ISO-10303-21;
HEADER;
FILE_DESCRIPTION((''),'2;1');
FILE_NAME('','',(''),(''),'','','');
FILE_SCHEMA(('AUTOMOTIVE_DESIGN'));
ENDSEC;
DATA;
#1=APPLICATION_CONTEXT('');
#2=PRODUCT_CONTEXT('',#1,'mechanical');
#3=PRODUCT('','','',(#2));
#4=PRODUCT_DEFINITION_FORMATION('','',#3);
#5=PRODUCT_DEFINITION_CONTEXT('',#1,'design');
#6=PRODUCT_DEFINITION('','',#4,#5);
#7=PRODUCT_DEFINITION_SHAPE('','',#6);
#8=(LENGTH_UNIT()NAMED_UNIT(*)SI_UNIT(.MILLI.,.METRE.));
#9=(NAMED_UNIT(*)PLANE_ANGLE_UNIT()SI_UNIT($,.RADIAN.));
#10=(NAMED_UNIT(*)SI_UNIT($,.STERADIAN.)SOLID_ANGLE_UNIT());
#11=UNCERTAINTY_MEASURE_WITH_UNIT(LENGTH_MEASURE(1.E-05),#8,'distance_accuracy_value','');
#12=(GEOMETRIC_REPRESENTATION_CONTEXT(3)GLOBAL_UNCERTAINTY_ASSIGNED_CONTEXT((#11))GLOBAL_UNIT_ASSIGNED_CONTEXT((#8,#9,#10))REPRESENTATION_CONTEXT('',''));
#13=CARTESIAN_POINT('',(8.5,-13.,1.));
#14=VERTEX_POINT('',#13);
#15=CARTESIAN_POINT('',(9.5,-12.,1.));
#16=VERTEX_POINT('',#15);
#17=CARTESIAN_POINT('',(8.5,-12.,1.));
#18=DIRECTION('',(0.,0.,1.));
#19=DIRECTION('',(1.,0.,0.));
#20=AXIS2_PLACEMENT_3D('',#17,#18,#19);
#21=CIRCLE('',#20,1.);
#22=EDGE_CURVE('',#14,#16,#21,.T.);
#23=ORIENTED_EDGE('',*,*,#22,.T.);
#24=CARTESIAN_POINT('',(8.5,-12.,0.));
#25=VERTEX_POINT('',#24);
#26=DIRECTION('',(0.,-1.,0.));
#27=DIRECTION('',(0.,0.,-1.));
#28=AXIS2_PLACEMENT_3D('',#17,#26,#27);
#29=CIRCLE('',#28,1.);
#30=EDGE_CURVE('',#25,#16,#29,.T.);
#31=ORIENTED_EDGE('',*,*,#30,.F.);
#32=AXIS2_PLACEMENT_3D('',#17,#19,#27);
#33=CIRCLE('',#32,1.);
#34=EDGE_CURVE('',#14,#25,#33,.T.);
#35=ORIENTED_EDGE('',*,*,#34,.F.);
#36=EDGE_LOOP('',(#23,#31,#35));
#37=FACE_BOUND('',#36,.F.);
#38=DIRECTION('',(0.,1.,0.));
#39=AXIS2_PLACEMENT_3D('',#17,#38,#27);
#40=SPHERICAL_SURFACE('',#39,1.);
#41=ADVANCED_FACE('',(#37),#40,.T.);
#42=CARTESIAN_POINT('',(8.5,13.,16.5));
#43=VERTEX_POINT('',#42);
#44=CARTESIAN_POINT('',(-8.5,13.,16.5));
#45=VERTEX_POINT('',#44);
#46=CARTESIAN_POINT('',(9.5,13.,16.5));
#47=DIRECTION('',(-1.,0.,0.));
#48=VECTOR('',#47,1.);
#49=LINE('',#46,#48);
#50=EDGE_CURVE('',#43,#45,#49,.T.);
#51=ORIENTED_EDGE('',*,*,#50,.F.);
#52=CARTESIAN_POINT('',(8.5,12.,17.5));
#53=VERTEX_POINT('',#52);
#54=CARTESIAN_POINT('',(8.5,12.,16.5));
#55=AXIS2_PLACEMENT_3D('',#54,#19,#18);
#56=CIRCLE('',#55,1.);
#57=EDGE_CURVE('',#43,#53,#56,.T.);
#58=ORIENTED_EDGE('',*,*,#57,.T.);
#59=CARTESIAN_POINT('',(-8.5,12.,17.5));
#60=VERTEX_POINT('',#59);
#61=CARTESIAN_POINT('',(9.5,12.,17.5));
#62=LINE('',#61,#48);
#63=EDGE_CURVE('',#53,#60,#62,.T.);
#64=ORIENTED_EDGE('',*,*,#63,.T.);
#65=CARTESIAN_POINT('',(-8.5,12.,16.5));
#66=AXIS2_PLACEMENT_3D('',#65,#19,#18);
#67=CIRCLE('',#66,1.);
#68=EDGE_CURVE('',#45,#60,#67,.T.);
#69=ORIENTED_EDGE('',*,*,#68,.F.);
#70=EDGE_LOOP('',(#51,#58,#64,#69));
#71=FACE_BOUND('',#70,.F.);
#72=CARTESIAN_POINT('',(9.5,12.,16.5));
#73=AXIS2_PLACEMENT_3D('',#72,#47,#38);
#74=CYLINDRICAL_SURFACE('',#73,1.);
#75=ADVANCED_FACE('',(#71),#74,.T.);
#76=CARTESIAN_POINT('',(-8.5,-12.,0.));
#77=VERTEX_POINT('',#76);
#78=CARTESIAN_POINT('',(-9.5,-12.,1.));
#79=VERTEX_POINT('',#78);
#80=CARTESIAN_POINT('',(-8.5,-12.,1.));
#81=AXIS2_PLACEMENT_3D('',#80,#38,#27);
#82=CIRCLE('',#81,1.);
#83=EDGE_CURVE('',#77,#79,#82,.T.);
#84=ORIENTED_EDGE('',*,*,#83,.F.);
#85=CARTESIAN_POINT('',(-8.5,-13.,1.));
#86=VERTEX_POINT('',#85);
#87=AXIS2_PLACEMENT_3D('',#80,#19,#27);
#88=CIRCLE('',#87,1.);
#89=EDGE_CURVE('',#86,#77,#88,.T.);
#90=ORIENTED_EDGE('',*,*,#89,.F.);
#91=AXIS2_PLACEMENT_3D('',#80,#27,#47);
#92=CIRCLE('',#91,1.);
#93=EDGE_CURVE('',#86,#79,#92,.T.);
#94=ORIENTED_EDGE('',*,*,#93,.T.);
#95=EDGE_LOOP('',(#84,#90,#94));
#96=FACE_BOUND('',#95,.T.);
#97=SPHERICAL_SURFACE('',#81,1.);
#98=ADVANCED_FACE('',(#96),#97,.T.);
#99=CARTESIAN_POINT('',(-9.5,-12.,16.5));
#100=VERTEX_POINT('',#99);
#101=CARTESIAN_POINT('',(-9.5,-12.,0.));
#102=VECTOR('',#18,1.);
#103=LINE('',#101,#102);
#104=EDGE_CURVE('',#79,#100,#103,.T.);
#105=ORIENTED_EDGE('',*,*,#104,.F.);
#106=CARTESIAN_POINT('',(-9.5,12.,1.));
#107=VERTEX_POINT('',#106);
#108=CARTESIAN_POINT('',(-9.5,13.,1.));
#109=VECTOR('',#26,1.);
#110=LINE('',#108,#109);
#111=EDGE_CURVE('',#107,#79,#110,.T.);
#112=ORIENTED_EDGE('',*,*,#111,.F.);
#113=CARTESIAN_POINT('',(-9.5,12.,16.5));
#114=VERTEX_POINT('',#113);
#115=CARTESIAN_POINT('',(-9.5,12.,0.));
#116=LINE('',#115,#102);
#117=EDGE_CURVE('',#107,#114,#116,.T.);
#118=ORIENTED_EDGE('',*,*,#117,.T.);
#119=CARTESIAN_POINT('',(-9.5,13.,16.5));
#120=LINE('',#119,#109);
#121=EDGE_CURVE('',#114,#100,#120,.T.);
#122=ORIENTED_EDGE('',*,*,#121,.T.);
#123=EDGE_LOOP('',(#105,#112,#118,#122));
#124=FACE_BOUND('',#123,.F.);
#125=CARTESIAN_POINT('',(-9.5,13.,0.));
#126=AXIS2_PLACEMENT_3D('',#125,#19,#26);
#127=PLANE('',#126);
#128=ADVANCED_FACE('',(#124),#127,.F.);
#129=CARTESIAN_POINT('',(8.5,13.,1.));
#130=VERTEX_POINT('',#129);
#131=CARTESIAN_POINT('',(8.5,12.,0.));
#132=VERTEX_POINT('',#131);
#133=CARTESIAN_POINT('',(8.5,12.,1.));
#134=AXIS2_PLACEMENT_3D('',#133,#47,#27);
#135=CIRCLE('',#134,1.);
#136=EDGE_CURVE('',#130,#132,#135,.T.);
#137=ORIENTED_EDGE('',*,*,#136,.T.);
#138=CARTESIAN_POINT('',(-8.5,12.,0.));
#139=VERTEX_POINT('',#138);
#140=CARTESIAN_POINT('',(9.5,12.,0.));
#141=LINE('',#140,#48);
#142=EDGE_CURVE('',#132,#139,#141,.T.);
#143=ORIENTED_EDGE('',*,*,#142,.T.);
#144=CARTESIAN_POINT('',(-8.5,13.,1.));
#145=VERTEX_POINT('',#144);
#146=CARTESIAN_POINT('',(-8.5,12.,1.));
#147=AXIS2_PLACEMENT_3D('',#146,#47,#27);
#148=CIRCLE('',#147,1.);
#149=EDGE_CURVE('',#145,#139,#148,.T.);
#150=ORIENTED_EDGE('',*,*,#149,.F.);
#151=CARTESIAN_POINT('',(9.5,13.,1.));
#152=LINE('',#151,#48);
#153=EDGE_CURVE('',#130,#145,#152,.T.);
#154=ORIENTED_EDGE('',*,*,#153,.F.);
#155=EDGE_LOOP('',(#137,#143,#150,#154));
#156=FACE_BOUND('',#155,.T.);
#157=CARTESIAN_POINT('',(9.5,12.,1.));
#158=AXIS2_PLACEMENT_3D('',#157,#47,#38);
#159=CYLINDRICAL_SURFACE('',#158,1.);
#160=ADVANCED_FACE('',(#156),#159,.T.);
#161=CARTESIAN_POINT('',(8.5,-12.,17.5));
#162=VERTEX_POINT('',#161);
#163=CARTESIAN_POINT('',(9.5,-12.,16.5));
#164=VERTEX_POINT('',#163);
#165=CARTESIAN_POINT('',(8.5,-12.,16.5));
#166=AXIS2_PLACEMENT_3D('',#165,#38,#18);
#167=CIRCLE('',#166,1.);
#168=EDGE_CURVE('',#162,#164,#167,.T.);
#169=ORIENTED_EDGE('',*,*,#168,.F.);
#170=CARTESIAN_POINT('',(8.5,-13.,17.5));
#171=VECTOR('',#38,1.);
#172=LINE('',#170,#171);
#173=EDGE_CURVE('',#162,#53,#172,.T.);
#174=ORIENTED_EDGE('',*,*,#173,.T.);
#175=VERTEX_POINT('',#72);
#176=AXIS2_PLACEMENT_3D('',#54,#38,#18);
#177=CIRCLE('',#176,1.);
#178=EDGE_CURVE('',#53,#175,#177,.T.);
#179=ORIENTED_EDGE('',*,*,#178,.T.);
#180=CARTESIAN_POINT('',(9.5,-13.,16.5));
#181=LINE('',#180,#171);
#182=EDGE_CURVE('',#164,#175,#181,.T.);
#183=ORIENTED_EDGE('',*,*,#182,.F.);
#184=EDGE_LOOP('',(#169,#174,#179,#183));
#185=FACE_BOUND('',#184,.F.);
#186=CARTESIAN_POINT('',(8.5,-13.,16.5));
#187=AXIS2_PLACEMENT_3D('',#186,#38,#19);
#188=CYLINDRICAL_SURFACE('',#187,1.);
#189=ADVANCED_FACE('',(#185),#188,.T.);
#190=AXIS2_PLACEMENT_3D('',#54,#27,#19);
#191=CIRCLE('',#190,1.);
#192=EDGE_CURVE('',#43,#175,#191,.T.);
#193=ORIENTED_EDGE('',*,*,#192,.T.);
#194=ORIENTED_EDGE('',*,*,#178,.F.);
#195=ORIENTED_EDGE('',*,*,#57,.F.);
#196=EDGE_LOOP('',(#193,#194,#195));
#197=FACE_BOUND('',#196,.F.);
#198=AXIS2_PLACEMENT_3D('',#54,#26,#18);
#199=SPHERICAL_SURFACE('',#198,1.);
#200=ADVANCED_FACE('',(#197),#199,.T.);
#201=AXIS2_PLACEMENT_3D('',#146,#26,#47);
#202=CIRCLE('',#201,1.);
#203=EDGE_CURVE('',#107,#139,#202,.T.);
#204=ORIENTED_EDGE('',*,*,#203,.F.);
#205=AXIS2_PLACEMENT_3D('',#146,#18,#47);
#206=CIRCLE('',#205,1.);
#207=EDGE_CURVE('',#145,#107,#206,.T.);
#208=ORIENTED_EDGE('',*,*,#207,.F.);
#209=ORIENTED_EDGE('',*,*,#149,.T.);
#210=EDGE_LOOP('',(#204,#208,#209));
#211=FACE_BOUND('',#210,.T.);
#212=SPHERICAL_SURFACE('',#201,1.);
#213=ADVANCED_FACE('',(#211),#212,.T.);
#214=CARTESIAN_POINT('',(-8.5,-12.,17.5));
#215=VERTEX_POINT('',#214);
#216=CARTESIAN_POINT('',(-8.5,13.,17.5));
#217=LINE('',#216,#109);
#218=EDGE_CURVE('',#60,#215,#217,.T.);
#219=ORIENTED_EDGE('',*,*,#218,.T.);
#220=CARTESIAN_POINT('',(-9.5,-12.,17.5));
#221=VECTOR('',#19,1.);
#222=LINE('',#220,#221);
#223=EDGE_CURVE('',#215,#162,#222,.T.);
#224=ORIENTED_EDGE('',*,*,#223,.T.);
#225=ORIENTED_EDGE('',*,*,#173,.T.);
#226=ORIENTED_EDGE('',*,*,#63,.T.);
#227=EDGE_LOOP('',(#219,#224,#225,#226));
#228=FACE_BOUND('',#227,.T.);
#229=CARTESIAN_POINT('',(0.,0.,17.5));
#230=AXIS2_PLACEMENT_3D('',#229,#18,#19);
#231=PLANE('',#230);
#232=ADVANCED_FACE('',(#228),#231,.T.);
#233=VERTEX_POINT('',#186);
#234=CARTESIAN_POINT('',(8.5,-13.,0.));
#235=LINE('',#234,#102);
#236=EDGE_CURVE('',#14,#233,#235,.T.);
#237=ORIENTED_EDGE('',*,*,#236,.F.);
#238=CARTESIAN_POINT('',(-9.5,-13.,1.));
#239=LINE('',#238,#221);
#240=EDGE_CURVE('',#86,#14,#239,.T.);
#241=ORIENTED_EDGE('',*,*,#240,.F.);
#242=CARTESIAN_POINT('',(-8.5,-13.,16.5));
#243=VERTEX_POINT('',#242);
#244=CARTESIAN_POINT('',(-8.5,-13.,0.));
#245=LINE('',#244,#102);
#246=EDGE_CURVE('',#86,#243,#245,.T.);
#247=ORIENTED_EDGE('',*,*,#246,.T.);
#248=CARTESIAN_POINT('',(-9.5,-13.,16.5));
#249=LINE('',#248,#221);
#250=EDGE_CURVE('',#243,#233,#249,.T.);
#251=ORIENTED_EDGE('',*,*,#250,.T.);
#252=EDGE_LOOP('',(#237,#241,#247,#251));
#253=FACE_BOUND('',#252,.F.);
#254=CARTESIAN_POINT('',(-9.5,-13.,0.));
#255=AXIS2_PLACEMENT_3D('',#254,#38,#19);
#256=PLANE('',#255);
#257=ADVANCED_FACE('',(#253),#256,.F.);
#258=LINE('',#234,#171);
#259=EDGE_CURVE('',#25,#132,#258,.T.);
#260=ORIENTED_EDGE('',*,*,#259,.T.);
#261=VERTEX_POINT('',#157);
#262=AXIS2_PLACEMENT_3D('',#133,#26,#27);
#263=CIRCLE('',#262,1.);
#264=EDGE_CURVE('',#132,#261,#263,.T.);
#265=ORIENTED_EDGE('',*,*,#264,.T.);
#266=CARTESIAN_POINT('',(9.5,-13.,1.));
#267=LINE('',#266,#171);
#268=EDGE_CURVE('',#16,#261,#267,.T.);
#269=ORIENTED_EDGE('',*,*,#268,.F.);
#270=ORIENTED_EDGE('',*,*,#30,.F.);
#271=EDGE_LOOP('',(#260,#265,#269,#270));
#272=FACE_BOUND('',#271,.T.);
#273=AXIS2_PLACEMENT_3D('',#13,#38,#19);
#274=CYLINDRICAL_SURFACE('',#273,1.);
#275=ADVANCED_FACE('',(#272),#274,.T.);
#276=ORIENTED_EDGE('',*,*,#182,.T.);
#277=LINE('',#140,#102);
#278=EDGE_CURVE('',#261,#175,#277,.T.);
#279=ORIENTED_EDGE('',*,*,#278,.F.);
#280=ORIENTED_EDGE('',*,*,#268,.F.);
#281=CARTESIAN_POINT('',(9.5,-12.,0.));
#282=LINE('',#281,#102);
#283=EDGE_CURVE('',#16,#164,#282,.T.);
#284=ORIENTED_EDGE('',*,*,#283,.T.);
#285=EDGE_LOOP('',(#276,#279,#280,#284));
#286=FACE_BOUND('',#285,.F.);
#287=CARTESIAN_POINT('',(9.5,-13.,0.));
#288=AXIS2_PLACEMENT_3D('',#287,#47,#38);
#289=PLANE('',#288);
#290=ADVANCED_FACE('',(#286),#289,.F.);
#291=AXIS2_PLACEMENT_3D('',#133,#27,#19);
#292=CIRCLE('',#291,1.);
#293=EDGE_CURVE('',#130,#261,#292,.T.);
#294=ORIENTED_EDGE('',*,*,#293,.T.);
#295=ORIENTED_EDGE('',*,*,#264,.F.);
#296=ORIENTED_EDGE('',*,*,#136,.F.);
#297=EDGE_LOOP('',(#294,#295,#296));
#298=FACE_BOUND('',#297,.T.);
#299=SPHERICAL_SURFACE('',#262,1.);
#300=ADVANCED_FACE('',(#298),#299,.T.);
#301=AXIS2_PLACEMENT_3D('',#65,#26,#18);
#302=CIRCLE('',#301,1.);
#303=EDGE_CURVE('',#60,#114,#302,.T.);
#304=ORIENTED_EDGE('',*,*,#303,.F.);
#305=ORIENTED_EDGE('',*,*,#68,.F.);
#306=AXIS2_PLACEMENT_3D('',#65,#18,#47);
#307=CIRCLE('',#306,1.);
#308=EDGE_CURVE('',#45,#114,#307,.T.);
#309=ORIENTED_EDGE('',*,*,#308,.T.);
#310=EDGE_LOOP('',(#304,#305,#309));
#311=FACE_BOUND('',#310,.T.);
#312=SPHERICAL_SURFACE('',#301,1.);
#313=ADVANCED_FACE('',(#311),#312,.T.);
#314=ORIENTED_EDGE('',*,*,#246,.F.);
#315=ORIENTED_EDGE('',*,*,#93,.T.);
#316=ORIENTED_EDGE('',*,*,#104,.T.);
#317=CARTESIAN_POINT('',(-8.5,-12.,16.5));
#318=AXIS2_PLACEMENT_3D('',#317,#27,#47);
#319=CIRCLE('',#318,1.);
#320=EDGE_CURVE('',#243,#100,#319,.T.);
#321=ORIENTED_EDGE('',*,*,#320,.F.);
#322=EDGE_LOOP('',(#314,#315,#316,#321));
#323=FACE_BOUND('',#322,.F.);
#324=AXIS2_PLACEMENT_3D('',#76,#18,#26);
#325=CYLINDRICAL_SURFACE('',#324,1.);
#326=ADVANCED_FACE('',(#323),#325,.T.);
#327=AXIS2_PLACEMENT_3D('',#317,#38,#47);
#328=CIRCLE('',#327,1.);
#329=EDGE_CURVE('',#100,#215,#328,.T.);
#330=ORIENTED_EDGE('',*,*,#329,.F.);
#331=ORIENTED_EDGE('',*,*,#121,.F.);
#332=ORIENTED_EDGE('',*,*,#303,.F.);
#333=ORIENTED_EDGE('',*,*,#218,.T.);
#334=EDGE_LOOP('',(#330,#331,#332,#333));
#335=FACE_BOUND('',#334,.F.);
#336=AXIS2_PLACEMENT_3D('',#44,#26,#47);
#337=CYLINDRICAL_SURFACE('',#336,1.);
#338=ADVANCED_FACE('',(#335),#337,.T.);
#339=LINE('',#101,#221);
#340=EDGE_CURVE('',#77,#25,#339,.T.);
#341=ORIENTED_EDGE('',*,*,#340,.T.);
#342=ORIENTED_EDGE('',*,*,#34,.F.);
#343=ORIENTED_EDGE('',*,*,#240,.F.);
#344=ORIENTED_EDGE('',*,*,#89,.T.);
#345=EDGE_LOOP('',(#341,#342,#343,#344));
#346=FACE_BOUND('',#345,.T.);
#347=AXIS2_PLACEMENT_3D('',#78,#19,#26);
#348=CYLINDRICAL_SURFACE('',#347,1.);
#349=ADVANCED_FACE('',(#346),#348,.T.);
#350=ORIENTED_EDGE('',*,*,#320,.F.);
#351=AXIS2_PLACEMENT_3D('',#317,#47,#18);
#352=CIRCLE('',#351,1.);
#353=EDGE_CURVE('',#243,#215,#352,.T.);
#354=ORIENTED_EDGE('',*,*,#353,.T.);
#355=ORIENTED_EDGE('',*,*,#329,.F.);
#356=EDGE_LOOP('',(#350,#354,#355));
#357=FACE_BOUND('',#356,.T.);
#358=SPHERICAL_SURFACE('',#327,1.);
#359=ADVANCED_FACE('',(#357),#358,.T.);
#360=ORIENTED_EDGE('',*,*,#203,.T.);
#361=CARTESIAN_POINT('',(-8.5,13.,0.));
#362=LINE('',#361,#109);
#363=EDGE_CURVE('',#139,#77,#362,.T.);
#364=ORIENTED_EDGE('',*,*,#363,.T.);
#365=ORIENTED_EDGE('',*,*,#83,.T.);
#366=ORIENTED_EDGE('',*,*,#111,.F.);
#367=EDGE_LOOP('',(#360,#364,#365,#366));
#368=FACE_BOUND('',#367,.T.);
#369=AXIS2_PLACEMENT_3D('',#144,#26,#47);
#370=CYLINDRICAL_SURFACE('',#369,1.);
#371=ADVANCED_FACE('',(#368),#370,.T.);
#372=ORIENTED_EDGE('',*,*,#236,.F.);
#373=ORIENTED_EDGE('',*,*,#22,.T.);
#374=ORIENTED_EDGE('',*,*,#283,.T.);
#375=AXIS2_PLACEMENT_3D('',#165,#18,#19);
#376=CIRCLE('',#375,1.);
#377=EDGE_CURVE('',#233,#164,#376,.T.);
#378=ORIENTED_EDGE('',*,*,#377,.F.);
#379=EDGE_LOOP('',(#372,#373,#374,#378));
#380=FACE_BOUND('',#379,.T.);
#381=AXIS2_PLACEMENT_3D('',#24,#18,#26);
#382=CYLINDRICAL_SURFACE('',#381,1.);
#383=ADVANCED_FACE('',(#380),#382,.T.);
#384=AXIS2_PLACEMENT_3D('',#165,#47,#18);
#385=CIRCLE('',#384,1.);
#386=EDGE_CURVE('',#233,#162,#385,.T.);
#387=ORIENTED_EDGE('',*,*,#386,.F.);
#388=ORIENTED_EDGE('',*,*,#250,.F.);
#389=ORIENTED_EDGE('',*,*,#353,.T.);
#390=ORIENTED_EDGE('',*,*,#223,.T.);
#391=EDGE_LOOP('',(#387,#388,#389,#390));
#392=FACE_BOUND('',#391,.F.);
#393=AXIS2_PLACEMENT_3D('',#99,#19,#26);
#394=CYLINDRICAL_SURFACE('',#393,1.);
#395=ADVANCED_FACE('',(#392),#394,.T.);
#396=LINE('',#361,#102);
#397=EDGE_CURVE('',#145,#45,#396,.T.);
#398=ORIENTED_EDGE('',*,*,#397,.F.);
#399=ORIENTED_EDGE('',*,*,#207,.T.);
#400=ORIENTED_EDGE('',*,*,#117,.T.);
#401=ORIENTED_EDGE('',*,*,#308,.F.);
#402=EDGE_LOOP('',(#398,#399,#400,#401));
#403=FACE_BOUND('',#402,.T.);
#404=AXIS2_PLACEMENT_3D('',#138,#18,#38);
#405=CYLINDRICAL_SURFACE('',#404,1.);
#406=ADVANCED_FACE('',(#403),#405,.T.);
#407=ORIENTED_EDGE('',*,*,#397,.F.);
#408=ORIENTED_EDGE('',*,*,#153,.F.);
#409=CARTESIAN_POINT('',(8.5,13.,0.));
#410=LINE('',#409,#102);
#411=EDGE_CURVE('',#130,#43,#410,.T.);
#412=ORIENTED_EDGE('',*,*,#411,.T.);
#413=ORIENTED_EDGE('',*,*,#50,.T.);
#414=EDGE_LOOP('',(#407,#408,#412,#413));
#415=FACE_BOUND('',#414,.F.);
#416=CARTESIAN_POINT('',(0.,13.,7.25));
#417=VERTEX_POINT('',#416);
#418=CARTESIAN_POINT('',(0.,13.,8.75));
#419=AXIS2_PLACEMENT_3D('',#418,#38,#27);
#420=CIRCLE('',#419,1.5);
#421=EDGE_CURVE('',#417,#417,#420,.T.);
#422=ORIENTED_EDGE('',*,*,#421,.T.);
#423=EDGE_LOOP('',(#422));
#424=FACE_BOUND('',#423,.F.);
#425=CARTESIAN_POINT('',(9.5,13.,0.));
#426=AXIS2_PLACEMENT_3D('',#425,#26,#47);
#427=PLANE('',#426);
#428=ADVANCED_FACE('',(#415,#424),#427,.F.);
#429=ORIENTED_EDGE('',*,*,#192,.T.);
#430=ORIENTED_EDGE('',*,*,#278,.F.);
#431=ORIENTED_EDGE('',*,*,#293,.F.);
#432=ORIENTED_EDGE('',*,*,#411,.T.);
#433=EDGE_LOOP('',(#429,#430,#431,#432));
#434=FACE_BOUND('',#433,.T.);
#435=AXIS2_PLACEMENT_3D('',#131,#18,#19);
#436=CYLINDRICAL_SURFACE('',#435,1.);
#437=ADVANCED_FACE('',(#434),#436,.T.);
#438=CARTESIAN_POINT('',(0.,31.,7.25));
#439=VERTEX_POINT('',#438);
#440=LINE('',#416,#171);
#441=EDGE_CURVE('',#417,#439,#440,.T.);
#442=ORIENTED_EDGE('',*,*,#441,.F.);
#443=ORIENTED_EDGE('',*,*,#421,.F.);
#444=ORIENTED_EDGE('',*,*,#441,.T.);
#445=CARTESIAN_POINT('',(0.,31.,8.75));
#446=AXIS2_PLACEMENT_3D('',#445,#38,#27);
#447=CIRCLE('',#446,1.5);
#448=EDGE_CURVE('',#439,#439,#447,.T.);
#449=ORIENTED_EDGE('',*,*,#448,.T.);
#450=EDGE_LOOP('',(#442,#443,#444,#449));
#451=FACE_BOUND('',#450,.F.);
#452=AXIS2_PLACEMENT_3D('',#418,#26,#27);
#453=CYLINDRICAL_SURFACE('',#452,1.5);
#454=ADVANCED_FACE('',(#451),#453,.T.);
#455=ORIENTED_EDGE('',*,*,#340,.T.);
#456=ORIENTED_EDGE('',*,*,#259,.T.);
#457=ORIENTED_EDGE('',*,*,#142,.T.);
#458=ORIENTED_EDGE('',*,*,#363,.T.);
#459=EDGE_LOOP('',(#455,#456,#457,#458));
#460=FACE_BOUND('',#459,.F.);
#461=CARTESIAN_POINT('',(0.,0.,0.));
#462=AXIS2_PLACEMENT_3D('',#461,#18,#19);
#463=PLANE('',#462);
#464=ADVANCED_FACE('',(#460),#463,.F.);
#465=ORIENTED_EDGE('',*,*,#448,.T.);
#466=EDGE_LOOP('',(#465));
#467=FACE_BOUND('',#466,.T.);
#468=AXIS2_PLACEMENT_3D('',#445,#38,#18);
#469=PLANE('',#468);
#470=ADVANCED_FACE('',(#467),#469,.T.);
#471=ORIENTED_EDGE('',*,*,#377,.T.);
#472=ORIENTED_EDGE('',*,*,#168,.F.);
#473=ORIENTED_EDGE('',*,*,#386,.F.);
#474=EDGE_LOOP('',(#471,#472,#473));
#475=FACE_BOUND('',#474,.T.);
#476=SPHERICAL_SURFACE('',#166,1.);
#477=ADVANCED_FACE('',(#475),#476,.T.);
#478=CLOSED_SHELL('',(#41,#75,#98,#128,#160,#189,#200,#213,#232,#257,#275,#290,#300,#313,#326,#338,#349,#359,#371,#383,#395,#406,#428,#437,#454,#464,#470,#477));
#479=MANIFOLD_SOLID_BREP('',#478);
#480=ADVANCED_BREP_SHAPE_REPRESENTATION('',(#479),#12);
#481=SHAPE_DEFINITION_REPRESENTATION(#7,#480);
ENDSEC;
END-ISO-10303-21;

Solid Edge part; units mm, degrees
sketch "Sketch1" plane through (0, 0, 0) normal (0, 0, 1) x (1, 0, 0)
  line L0 (-9.5, -13) -> (9.5, -13)
  line L1 (9.5, -13) -> (9.5, 13)
  line L2 (9.5, 13) -> (-9.5, 13)
  line L3 (-9.5, 13) -> (-9.5, -13)
  dimension "D1" = 19
  dimension "D2" = 26
extrude "Ajout_matière_1" add sketch "Sketch1" along normal blind 17.5
fillet "Congé_1" radius 1 12 edges at (9.5, 0, 17.5) (-9.5, 0, 17.5) (-9.5, 0, 0) (9.5, 0, 0) (0, -13, 0) (-9.5, -13, 8.75) (0, -13, 17.5) (9.5, -13, 8.75) (0, 13, 17.5) (-9.5, 13, 8.75) (0, 13, 0) (9.5, 13, 8.75)
sketch "Sketch2" plane through (0, 13, 8.75) normal (0, 1, 0) x (0, 0, -1)
  circle A0 centre (0, 0) radius 1.5
  dimension "D1" = 3
extrude "Ajout_matière_2" add sketch "Sketch2" along normal blind 18
cosmetic_thread "Thread1" size "M3"
properties material "Acier S235"
